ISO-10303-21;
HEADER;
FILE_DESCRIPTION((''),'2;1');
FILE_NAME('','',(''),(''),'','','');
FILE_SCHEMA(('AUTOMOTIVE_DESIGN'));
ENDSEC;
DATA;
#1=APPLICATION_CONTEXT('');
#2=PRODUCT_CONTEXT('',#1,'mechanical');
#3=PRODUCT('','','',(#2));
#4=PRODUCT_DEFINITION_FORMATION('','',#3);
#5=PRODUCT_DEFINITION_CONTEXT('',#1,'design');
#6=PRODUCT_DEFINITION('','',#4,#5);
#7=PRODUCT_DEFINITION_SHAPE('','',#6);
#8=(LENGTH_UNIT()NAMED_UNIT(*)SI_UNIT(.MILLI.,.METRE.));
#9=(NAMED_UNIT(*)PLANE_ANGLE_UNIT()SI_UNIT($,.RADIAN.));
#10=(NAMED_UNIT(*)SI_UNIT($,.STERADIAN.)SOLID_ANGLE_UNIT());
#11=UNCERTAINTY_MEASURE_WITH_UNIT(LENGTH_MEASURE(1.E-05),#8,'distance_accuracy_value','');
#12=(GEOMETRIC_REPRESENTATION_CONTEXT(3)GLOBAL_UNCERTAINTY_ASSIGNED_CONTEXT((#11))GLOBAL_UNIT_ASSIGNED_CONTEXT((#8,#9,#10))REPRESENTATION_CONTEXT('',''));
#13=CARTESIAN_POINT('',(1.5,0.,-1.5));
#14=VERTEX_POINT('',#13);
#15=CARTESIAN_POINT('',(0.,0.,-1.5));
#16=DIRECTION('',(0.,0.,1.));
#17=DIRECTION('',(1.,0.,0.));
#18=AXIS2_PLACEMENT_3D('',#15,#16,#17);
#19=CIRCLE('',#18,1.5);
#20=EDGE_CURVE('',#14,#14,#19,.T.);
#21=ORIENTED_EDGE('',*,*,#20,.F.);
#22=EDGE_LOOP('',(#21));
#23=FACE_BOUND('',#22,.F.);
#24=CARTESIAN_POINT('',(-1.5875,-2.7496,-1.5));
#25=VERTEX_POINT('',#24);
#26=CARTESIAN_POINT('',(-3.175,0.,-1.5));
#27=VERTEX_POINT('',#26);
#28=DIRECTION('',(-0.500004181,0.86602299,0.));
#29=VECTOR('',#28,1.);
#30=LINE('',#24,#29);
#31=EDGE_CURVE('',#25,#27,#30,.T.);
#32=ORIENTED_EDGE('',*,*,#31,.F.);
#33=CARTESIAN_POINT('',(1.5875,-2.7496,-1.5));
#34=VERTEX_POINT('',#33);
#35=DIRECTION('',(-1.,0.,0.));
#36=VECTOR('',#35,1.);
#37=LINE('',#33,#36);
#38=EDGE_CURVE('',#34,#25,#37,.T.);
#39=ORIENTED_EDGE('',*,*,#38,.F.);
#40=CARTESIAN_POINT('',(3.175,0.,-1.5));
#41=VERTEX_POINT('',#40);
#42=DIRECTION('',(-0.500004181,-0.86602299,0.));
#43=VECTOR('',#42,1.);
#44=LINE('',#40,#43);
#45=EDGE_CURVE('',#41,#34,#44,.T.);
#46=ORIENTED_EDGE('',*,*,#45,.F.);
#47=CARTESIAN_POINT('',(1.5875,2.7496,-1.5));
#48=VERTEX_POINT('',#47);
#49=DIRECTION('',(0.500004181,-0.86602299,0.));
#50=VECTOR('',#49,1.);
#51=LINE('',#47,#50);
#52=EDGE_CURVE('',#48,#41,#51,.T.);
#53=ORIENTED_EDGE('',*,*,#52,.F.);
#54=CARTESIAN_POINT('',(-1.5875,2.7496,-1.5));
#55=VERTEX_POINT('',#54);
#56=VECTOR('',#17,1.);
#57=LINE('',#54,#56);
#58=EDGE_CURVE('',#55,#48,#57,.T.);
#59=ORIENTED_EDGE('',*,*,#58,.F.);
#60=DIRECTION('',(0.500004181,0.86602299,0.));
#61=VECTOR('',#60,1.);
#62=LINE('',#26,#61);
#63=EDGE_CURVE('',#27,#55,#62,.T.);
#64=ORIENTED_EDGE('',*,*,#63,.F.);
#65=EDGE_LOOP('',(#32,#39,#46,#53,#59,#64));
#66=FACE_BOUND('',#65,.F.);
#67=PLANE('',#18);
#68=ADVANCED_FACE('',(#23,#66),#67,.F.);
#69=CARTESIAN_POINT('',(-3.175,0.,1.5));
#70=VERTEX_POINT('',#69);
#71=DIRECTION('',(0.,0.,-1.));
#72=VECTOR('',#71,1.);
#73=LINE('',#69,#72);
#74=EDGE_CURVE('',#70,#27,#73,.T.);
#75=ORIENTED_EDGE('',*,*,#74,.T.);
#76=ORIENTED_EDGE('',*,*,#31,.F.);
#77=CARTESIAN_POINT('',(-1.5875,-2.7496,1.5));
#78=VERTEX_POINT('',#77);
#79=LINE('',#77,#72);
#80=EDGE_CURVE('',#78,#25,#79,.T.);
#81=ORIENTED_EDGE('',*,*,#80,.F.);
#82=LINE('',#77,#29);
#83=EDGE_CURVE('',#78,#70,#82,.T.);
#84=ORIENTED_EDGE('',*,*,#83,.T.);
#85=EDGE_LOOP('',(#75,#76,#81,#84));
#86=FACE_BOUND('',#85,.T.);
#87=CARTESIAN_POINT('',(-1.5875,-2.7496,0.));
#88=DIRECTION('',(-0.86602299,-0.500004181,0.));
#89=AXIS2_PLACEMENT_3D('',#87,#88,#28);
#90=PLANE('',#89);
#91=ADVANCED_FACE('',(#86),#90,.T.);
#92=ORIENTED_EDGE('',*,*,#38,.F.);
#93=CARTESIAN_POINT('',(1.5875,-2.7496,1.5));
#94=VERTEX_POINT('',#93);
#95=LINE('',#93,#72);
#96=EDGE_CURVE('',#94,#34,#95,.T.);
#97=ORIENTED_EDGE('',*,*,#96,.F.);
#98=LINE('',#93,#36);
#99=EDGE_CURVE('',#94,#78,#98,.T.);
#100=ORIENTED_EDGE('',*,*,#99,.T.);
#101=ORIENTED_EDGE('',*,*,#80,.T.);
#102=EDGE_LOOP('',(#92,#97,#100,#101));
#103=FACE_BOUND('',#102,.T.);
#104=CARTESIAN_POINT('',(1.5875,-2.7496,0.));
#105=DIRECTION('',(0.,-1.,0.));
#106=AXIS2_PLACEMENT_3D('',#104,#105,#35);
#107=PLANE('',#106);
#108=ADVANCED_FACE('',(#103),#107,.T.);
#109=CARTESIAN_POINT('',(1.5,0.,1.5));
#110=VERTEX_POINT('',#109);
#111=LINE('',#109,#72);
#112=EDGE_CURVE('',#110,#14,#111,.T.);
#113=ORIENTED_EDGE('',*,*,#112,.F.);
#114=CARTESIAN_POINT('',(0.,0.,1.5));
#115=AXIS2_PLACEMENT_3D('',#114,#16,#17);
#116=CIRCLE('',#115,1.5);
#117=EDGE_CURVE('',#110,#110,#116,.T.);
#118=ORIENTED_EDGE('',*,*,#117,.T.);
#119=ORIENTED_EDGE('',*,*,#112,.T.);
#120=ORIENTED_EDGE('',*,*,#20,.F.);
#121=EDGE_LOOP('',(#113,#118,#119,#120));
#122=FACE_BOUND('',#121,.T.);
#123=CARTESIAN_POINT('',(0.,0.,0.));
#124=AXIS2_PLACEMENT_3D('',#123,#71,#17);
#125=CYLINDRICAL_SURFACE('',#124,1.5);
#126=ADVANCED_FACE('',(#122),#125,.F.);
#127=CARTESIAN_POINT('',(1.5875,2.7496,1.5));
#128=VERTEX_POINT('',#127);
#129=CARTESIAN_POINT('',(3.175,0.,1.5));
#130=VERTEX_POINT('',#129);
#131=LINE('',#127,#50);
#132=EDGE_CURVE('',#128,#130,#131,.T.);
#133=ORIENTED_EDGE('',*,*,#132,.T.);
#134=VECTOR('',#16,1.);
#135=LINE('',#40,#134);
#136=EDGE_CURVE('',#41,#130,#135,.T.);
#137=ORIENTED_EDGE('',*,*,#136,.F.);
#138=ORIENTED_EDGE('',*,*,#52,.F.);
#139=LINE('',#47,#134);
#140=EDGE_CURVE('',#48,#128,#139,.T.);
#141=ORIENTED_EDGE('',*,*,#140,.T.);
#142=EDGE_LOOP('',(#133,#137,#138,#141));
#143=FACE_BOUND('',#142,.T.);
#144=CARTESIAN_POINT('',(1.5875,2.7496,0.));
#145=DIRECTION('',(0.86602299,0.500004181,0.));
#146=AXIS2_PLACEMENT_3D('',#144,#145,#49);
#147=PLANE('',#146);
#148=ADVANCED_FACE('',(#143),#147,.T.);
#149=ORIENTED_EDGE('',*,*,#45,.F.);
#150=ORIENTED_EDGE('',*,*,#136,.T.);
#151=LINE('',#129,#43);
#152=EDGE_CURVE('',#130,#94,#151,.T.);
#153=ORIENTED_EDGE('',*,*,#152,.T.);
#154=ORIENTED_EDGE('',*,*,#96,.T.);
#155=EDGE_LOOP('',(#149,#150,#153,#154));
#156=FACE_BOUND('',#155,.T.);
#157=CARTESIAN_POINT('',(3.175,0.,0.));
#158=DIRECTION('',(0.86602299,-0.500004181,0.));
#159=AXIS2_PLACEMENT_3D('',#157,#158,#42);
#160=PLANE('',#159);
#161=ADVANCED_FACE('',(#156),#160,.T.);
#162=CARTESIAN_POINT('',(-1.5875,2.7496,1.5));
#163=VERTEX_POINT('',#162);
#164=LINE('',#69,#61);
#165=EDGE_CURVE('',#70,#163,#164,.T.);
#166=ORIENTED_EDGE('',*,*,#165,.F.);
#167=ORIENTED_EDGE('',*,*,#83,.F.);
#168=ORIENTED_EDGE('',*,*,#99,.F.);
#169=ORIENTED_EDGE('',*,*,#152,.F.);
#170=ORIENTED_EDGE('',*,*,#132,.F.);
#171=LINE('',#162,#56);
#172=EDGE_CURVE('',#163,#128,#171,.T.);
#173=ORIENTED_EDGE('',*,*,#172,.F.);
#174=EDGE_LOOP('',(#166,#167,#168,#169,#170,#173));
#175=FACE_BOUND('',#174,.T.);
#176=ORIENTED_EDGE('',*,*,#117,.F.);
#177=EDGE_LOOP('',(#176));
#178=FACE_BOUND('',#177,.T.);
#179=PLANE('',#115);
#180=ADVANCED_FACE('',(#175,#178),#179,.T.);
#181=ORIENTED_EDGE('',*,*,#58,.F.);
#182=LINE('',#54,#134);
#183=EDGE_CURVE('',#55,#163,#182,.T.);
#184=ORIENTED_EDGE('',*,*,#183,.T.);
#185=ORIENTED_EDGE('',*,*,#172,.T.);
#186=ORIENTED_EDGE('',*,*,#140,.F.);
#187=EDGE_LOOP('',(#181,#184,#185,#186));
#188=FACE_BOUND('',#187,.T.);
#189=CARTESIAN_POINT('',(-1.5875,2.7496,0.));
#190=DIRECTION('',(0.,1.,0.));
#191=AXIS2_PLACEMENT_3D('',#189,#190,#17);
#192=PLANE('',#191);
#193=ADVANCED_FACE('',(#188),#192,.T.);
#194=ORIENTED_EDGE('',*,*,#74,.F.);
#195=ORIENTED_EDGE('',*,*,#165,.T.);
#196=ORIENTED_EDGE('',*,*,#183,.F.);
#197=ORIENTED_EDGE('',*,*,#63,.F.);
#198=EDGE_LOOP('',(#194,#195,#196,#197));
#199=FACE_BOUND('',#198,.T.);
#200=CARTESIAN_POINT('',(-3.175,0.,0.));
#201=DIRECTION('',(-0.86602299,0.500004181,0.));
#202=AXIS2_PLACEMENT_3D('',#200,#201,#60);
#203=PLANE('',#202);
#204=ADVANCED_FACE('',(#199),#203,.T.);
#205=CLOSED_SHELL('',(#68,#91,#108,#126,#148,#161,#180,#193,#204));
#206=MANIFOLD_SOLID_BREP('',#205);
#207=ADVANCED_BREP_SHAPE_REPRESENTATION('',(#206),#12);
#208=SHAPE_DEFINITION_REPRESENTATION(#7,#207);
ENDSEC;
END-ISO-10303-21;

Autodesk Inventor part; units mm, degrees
ref_plane "YZ Plane" through (0, 0, 0) normal (1, 0, 0) x (0, 1, 0)
ref_plane "XZ Plane" through (0, 0, 0) normal (0, 1, 0) x (-1, 0, 0)
ref_plane "XY Plane" through (0, 0, 0) normal (0, 0, 1) x (1, 0, 0)
sketch "Boceto1" plane through (0, 0, 0) normal (0, 0, 1) x (1, 0, 0)
  circle A0 centre (0, 0) radius 1.5
  line L0 (0, 0) -> (3.175, 0)
  line L1 (3.175, 0) -> (1.5875, -2.7496)
  line L2 (1.5875, -2.7496) -> (-1.5875, -2.7496)
  line L3 (-1.5875, -2.7496) -> (-3.175, 0)
  line L4 (-3.175, 0) -> (-1.5875, 2.7496)
  line L5 (-1.5875, 2.7496) -> (1.5875, 2.7496)
  line L6 (1.5875, 2.7496) -> (3.175, 0)
  dimension "d0" = 3
  dimension "d1" = 3.175
extrude "Extrusión1" add sketch "Boceto1" along normal mid plane 3
thread "Rosca1" size "M3x0.5" class "6H" standard "ANSI Metric M Profile" full length
properties part number "tuercaM3" material "Aluminio 6061-AHC"
